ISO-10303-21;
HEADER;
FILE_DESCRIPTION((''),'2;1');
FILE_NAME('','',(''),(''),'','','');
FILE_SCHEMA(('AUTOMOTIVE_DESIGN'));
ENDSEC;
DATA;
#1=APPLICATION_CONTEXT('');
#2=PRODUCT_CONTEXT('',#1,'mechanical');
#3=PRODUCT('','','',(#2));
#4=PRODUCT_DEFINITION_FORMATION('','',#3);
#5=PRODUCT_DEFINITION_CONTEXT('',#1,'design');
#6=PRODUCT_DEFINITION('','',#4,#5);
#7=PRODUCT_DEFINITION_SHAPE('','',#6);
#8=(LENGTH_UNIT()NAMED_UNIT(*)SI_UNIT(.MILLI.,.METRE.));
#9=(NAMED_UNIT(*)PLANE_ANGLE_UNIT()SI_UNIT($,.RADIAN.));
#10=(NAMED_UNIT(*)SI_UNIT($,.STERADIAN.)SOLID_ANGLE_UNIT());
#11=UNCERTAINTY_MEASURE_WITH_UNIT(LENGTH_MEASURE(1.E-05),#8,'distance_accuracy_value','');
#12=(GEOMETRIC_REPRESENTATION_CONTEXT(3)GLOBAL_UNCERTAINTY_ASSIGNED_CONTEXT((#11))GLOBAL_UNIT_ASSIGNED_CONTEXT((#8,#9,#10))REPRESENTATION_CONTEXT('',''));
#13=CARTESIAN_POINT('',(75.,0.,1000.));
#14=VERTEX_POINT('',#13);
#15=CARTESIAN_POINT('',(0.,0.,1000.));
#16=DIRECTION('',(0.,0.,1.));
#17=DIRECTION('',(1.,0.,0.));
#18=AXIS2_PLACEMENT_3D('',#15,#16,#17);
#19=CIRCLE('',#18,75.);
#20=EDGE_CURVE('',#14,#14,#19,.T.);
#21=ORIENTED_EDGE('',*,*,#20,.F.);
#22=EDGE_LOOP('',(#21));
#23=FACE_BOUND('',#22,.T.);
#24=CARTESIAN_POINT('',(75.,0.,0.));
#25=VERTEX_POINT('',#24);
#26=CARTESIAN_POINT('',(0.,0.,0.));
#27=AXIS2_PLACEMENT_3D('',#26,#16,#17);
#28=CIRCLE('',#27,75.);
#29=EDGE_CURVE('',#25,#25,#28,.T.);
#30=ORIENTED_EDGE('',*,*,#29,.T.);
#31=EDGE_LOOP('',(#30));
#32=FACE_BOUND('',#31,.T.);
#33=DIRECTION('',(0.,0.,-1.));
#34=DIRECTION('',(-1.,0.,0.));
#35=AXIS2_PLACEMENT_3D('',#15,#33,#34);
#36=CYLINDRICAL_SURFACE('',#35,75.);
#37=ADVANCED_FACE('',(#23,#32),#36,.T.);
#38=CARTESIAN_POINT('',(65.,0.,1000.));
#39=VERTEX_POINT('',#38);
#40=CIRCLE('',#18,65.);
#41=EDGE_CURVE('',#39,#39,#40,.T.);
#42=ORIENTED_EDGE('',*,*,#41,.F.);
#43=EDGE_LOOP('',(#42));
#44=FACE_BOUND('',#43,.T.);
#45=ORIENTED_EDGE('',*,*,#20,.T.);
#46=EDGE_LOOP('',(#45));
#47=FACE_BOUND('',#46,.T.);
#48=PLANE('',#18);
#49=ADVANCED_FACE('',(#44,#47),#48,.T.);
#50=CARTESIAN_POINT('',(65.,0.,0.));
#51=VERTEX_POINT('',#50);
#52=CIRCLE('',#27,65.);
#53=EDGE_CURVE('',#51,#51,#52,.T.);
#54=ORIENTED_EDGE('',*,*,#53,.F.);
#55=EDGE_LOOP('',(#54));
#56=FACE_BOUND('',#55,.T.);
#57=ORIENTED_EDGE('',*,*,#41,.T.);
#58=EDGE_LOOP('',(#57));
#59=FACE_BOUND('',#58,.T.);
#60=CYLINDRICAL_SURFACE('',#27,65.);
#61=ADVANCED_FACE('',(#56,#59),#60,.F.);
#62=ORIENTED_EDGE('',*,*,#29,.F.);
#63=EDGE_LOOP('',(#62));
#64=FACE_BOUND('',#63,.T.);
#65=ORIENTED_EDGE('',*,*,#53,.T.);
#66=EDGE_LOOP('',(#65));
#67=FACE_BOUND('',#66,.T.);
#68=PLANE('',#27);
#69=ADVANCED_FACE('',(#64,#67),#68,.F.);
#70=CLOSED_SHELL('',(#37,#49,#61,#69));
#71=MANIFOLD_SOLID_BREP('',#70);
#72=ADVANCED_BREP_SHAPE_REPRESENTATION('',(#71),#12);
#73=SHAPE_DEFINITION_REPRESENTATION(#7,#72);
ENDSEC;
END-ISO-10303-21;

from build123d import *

# Parameters (mm, degrees)
SKETCH1_R           = 75
BOSS_EXTRUDE1_DEPTH = 1000
SKETCH2_R           = 65
CUT_EXTRUDE1_DEPTH  = 1000


with BuildPart() as part:
    # Sketch1 → Boss-Extrude1 (new body)
    with BuildSketch(Plane.XY):
        Circle(SKETCH1_R)
    extrude(amount=BOSS_EXTRUDE1_DEPTH)

    # Sketch2 → Cut-Extrude1 (cut)
    with BuildSketch(Plane.XY.offset(1000)):
        Circle(SKETCH2_R)
    extrude(amount=-CUT_EXTRUDE1_DEPTH, mode=Mode.SUBTRACT)


solid = part.part
